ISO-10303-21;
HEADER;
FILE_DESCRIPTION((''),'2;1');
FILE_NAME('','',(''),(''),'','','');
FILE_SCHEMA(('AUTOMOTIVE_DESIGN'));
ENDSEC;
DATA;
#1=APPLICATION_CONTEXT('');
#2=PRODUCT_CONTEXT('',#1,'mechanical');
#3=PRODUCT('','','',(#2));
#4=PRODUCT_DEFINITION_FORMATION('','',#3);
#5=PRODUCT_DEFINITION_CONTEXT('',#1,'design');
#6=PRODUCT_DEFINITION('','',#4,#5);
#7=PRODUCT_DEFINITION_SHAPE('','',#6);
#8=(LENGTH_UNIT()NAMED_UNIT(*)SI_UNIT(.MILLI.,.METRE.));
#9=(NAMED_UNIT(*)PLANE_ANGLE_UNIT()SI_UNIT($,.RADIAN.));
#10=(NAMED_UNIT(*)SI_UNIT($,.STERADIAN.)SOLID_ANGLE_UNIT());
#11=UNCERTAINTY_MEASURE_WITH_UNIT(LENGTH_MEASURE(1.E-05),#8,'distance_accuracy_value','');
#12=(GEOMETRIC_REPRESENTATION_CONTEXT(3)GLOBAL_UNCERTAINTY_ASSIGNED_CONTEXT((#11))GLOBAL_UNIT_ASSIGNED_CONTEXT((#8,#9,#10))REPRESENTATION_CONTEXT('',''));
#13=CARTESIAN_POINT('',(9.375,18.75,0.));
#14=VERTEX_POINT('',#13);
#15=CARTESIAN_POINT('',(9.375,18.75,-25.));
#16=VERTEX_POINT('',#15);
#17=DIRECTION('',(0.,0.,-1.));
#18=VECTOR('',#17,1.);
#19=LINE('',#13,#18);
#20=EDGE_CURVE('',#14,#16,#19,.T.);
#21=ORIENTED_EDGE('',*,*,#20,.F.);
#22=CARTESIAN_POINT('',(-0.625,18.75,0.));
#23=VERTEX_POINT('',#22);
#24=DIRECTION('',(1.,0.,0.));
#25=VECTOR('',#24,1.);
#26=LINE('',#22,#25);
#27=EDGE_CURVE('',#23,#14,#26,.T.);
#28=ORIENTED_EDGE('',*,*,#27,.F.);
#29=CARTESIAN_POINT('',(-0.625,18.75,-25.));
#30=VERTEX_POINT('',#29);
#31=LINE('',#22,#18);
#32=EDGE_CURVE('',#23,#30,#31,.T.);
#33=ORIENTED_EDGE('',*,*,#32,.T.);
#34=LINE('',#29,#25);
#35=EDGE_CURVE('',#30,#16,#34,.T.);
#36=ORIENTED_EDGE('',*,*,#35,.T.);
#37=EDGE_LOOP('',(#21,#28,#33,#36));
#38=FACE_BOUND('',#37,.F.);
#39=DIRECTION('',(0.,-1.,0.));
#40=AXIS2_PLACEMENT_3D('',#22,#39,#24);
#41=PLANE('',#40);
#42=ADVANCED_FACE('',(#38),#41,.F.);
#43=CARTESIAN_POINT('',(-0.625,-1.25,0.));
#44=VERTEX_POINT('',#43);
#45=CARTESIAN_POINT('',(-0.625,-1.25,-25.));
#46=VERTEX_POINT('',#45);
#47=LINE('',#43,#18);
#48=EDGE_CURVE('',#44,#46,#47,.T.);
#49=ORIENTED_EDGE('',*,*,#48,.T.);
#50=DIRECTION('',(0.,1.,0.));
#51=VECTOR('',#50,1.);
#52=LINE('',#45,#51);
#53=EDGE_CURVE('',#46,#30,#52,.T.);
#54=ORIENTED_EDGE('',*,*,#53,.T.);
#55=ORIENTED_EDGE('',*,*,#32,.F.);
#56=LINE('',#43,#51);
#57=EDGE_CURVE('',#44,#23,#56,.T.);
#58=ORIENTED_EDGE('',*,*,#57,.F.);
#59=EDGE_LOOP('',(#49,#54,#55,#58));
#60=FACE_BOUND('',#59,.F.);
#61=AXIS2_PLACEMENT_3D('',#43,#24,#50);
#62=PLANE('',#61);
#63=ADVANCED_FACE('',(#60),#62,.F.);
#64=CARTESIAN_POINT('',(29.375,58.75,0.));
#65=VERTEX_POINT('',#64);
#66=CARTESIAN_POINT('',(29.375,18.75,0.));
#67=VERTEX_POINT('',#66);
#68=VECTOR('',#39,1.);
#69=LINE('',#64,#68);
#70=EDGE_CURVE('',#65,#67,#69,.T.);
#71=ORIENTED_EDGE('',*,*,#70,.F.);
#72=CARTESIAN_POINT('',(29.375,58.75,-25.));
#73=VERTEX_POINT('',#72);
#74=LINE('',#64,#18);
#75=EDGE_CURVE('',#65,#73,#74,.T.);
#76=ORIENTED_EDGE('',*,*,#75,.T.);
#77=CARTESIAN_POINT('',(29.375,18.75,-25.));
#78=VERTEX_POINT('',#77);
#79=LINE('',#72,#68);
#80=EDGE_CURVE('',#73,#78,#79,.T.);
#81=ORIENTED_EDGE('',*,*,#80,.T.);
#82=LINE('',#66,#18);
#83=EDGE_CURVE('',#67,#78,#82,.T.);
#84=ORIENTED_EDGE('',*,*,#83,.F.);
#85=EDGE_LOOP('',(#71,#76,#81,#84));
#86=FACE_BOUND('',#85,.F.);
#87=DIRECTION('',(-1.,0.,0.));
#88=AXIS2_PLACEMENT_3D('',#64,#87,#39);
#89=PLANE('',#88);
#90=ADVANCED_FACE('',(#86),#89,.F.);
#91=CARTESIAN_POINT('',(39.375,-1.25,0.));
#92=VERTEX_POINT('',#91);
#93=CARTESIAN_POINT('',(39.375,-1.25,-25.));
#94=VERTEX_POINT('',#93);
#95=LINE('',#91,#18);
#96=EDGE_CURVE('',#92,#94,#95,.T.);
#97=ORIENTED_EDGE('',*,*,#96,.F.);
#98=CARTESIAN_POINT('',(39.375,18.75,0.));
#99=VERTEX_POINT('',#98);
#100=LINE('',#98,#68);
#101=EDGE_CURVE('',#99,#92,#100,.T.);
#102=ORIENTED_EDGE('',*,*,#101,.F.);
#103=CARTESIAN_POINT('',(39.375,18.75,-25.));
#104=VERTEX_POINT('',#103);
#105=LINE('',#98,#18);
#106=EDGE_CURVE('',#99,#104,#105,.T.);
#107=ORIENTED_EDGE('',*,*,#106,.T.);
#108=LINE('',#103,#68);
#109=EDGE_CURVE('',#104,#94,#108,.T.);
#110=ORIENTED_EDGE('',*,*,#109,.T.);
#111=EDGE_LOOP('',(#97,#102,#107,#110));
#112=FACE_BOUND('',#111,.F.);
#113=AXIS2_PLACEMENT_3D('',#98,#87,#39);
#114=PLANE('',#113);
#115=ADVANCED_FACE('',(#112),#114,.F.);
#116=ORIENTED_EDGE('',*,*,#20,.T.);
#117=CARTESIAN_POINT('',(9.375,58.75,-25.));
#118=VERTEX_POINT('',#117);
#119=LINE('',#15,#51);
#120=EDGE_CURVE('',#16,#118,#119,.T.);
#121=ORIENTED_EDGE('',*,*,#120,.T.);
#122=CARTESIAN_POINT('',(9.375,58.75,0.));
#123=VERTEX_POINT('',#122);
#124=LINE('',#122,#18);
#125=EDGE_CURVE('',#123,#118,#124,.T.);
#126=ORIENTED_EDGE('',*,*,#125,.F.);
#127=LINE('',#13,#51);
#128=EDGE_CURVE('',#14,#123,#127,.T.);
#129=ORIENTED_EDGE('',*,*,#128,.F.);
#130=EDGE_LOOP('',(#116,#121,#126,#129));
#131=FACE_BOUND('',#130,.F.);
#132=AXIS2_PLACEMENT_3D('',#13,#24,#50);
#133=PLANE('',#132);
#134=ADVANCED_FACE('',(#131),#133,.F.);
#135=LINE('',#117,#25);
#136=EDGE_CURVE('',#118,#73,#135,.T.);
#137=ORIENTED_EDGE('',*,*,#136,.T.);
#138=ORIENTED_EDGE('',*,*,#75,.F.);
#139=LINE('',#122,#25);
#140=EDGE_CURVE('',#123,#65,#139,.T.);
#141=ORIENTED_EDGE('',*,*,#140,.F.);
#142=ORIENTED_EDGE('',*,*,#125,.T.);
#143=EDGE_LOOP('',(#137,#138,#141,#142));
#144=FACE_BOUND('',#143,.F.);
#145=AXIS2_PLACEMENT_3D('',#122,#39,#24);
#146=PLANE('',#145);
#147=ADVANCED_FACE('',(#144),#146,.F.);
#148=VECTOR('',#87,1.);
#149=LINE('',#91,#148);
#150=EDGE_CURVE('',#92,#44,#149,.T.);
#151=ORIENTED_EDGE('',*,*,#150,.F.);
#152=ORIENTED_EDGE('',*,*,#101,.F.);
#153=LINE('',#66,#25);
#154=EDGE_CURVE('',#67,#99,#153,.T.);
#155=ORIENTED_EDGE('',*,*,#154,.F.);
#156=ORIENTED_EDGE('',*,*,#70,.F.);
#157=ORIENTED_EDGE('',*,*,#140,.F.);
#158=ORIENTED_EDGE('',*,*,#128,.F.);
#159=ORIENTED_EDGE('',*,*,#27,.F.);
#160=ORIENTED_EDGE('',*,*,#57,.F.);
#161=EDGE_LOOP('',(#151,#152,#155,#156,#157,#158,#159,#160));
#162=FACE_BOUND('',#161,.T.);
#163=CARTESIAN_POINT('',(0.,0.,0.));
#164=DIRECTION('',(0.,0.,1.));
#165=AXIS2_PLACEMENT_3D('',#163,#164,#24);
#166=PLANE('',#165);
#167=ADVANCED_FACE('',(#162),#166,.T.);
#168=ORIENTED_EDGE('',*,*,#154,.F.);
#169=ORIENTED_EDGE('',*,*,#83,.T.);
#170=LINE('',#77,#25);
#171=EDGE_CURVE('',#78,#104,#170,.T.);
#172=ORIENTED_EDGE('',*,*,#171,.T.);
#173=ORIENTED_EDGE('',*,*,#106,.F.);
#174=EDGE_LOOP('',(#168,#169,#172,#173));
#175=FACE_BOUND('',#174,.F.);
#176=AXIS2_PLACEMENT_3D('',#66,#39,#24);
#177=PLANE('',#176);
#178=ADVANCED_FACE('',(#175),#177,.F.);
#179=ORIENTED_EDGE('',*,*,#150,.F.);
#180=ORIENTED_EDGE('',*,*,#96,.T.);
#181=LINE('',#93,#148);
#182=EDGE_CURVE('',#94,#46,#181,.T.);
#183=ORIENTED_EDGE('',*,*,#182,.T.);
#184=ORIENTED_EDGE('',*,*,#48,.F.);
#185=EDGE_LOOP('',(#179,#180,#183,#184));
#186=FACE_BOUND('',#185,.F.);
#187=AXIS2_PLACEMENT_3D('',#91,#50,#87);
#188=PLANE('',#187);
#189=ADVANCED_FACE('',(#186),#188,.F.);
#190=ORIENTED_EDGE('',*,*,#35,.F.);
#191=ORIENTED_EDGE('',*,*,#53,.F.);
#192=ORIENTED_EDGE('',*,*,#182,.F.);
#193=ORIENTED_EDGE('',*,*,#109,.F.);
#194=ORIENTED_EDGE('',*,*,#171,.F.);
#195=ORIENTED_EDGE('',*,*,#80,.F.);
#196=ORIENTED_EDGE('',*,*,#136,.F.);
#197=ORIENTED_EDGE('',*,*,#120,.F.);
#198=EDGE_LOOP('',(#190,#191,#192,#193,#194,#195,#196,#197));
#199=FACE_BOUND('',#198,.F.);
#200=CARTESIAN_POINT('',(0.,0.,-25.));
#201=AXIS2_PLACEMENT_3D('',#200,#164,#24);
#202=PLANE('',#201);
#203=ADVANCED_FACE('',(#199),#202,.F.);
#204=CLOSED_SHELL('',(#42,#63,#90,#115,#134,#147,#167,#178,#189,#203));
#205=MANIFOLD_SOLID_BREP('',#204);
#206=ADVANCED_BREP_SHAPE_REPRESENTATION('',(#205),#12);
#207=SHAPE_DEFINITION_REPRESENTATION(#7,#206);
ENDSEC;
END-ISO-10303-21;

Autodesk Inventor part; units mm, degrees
ref_plane "YZ Plane" through (0, 0, 0) normal (1, 0, 0) x (0, 1, 0)
ref_plane "XZ Plane" through (0, 0, 0) normal (0, 1, 0) x (-1, 0, 0)
ref_plane "XY Plane" through (0, 0, 0) normal (0, 0, 1) x (1, 0, 0)
sketch "Sketch1" plane through (0, 0, 0) normal (0, 0, 1) x (1, 0, 0)
  line L0 (-0.625, -1.25) -> (-0.625, 18.75)
  line L1 (-0.625, 18.75) -> (9.375, 18.75)
  line L2 (9.375, 18.75) -> (9.375, 58.75)
  line L3 (9.375, 58.75) -> (29.375, 58.75)
  line L4 (29.375, 58.75) -> (29.375, 18.75)
  line L5 (29.375, 18.75) -> (39.375, 18.75)
  line L6 (39.375, 18.75) -> (39.375, -1.25)
  line L7 (39.375, -1.25) -> (-0.625, -1.25)
  point P0 (0, 0)
  dimension "d0" = 40
  dimension "d1" = 40
  dimension "d2" = 20
  dimension "d3" = 10
  dimension "d4" = 10
  dimension "d5" = 20
extrude "Extrusion1" add sketch "Sketch1" against normal blind 25
properties part number "BT003_Prisma"
